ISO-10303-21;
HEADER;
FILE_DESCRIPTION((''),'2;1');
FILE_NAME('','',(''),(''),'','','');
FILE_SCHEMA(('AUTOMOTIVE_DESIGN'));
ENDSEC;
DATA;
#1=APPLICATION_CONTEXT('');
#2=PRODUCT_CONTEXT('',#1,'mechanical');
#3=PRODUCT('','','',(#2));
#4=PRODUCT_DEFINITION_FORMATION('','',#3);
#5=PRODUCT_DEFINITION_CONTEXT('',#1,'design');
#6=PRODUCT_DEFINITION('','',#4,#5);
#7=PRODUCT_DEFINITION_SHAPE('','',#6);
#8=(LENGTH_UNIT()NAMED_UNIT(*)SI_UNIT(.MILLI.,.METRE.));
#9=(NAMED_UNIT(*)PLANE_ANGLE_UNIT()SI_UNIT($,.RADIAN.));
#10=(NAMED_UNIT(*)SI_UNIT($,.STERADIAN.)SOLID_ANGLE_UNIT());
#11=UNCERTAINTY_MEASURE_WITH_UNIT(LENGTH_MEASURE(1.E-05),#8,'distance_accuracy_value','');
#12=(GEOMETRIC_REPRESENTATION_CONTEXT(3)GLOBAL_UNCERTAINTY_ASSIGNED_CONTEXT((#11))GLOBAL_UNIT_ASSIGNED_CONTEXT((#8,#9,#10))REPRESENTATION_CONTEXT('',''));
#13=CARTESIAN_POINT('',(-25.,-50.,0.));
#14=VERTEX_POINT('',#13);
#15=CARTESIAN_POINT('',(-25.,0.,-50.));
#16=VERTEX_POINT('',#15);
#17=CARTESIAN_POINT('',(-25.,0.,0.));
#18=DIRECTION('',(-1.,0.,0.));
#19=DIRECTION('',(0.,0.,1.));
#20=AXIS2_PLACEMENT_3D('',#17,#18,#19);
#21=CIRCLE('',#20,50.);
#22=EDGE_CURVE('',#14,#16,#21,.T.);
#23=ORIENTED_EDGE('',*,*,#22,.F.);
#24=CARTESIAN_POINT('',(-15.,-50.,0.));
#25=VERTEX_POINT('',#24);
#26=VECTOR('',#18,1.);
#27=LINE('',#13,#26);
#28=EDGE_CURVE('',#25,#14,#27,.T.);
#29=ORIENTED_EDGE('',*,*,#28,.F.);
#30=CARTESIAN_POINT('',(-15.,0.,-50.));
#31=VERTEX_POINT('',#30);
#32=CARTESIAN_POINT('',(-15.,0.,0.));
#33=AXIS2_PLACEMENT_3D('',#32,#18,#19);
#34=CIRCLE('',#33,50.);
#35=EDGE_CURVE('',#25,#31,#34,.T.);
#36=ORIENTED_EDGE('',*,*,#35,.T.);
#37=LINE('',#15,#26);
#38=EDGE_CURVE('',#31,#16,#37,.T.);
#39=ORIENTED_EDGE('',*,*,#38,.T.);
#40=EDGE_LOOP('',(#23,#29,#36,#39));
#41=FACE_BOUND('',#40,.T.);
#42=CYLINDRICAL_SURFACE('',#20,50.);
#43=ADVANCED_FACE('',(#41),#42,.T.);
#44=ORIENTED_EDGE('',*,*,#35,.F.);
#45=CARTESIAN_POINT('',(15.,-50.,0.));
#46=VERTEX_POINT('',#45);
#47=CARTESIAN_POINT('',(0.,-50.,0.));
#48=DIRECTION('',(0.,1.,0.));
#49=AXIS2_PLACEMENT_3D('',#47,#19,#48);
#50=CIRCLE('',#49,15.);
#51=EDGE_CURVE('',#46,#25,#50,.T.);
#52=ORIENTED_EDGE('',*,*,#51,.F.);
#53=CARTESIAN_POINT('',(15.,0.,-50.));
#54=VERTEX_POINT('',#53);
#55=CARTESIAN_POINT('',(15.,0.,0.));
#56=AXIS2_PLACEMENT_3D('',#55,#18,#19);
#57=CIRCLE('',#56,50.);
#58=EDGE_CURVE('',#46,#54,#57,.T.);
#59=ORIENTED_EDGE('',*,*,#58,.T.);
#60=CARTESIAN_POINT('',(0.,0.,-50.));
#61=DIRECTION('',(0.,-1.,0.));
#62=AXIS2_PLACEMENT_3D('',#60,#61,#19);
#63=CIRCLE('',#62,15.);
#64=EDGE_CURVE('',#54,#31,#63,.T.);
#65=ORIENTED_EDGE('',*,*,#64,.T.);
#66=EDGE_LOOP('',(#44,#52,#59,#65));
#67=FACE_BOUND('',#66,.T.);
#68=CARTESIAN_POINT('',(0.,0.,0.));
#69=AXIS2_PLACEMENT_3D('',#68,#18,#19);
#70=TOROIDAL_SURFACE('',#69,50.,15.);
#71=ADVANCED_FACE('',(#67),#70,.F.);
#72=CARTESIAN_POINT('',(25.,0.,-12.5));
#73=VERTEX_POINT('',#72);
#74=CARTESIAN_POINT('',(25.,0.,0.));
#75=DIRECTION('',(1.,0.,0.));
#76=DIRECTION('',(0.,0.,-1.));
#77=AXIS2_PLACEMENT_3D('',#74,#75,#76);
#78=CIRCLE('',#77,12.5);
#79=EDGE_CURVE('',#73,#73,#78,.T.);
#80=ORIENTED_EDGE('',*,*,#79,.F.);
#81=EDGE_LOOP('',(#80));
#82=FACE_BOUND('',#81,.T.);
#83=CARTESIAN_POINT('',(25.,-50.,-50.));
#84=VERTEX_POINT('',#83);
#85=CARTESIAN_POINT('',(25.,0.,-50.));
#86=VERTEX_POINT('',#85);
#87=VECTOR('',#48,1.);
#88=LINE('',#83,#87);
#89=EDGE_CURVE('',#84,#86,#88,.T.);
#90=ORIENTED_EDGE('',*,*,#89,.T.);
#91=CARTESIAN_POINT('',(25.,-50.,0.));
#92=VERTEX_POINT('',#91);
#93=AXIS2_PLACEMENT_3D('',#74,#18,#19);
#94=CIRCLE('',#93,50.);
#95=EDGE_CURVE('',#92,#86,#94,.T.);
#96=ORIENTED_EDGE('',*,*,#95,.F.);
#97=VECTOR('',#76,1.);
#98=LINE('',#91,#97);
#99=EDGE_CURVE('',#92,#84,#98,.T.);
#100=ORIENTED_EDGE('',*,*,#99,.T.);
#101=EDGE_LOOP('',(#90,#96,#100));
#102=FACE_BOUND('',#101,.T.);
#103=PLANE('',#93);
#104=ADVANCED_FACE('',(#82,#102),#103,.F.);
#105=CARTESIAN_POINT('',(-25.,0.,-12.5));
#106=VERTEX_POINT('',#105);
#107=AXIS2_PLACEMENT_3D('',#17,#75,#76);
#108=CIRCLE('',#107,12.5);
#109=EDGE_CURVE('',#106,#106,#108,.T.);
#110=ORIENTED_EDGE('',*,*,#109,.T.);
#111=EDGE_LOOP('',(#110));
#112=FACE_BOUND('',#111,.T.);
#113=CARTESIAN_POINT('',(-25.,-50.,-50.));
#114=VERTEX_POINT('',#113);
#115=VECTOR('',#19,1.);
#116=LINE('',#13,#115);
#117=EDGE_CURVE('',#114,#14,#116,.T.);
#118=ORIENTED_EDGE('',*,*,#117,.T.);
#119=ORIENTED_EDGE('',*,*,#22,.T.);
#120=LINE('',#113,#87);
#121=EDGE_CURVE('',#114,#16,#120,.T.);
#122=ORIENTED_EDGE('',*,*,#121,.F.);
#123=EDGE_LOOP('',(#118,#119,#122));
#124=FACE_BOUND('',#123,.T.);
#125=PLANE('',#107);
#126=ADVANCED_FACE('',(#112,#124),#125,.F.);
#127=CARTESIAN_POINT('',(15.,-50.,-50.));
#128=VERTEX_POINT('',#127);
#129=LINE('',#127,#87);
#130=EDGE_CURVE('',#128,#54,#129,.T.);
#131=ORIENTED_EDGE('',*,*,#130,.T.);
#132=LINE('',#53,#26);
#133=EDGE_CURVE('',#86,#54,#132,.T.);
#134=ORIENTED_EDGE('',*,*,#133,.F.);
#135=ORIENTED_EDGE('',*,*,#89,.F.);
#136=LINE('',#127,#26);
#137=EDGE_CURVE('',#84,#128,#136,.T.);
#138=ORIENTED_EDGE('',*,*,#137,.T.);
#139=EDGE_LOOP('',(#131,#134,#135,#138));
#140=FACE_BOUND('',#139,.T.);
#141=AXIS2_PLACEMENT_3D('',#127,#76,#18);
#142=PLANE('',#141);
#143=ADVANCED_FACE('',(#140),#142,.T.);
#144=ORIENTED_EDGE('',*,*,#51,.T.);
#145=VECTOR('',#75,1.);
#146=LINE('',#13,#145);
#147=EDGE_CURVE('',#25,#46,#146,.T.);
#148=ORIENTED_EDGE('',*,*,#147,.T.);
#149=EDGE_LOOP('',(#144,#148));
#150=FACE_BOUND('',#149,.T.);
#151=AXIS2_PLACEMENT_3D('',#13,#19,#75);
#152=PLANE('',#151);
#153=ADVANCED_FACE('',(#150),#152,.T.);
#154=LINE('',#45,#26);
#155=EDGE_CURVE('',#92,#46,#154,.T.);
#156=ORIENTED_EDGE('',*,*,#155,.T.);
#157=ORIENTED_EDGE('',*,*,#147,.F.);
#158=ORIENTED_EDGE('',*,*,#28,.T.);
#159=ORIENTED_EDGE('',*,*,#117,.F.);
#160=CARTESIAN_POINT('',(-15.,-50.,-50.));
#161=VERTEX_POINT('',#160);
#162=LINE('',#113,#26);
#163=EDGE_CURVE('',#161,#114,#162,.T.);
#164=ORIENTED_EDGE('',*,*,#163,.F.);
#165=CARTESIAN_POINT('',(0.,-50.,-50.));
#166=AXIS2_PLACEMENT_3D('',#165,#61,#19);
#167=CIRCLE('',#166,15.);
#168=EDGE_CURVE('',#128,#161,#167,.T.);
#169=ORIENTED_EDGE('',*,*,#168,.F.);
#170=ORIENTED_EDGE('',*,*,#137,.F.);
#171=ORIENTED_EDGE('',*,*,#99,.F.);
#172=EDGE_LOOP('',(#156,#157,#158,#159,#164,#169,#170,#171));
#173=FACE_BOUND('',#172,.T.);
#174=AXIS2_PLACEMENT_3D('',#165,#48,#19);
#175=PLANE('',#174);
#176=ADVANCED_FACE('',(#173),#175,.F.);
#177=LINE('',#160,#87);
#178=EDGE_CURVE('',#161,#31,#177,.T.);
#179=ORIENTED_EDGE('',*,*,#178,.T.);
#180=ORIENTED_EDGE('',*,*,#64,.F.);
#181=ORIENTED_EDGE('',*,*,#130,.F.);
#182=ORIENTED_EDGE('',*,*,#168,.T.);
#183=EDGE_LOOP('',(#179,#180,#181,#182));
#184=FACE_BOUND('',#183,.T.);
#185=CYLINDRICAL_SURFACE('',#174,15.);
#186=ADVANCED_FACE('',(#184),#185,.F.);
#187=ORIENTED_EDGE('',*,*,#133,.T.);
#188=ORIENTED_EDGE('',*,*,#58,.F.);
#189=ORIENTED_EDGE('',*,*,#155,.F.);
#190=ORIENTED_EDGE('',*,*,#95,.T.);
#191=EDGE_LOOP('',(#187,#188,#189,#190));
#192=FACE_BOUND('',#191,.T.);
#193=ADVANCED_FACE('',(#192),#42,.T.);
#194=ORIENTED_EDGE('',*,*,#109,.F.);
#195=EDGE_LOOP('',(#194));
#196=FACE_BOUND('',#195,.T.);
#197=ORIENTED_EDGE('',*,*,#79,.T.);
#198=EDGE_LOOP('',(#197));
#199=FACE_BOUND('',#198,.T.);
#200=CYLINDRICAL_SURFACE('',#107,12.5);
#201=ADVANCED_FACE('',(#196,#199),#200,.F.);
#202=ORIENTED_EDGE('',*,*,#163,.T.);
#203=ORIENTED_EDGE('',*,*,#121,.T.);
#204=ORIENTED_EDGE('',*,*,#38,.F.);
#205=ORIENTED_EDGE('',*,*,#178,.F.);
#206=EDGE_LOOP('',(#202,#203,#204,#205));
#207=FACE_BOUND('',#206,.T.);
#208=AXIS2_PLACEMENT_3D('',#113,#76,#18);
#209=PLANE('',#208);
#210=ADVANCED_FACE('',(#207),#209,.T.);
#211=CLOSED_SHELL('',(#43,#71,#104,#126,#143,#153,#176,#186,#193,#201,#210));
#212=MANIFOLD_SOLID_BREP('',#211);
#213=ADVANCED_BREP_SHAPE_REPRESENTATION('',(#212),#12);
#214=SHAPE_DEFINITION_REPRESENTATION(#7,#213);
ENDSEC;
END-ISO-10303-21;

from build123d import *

# Parameters (mm, degrees)
REVOLVE1_ANGLE      = 270
BOSS_EXTRUDE1_DEPTH = 50
SKETCH3_R           = 12.5
CUT_EXTRUDE2_DEPTH  = 51


with BuildPart() as part:
    # Sketch1 → Revolve1 (revolve)
    with BuildSketch(Plane(origin=(0, 0, 0), x_dir=(1, 0, 0), z_dir=(0, 1, 0))):
        with BuildLine():
            Line((15, 50), (25, 50))
            Line((25, 50), (25, 0))
            Line((25, 0), (-25, 0))
            Line((-25, 0), (-25, 50))
            Line((-25, 50), (-15, 50))
            ThreePointArc((-15, 50), (0, 35), (15, 50))
        make_face()
    revolve(axis=Axis((-25, 0, 0), (1, 0, 0)), revolution_arc=REVOLVE1_ANGLE)

    # Sketch1<2> → Boss-Extrude1 (add)
    with BuildSketch(Plane(origin=(0, 0, 0), x_dir=(1, 0, 0), z_dir=(0, 1, 0))):
        with BuildLine():
            Line((15, 50), (25, 50))
            Line((25, 50), (25, 0))
            Line((25, 0), (-25, 0))
            Line((-25, 0), (-25, 50))
            Line((-25, 50), (-15, 50))
            ThreePointArc((-15, 50), (0, 35), (15, 50))
        make_face()
    extrude(amount=-BOSS_EXTRUDE1_DEPTH)

    # Sketch3 → Cut-Extrude2 (cut, through all)
    with BuildSketch(Plane(origin=(25, 0, 0), x_dir=(0, 0, -1), z_dir=(1, 0, 0))):
        Circle(SKETCH3_R)
    extrude(amount=-CUT_EXTRUDE2_DEPTH, mode=Mode.SUBTRACT)


solid = part.part
